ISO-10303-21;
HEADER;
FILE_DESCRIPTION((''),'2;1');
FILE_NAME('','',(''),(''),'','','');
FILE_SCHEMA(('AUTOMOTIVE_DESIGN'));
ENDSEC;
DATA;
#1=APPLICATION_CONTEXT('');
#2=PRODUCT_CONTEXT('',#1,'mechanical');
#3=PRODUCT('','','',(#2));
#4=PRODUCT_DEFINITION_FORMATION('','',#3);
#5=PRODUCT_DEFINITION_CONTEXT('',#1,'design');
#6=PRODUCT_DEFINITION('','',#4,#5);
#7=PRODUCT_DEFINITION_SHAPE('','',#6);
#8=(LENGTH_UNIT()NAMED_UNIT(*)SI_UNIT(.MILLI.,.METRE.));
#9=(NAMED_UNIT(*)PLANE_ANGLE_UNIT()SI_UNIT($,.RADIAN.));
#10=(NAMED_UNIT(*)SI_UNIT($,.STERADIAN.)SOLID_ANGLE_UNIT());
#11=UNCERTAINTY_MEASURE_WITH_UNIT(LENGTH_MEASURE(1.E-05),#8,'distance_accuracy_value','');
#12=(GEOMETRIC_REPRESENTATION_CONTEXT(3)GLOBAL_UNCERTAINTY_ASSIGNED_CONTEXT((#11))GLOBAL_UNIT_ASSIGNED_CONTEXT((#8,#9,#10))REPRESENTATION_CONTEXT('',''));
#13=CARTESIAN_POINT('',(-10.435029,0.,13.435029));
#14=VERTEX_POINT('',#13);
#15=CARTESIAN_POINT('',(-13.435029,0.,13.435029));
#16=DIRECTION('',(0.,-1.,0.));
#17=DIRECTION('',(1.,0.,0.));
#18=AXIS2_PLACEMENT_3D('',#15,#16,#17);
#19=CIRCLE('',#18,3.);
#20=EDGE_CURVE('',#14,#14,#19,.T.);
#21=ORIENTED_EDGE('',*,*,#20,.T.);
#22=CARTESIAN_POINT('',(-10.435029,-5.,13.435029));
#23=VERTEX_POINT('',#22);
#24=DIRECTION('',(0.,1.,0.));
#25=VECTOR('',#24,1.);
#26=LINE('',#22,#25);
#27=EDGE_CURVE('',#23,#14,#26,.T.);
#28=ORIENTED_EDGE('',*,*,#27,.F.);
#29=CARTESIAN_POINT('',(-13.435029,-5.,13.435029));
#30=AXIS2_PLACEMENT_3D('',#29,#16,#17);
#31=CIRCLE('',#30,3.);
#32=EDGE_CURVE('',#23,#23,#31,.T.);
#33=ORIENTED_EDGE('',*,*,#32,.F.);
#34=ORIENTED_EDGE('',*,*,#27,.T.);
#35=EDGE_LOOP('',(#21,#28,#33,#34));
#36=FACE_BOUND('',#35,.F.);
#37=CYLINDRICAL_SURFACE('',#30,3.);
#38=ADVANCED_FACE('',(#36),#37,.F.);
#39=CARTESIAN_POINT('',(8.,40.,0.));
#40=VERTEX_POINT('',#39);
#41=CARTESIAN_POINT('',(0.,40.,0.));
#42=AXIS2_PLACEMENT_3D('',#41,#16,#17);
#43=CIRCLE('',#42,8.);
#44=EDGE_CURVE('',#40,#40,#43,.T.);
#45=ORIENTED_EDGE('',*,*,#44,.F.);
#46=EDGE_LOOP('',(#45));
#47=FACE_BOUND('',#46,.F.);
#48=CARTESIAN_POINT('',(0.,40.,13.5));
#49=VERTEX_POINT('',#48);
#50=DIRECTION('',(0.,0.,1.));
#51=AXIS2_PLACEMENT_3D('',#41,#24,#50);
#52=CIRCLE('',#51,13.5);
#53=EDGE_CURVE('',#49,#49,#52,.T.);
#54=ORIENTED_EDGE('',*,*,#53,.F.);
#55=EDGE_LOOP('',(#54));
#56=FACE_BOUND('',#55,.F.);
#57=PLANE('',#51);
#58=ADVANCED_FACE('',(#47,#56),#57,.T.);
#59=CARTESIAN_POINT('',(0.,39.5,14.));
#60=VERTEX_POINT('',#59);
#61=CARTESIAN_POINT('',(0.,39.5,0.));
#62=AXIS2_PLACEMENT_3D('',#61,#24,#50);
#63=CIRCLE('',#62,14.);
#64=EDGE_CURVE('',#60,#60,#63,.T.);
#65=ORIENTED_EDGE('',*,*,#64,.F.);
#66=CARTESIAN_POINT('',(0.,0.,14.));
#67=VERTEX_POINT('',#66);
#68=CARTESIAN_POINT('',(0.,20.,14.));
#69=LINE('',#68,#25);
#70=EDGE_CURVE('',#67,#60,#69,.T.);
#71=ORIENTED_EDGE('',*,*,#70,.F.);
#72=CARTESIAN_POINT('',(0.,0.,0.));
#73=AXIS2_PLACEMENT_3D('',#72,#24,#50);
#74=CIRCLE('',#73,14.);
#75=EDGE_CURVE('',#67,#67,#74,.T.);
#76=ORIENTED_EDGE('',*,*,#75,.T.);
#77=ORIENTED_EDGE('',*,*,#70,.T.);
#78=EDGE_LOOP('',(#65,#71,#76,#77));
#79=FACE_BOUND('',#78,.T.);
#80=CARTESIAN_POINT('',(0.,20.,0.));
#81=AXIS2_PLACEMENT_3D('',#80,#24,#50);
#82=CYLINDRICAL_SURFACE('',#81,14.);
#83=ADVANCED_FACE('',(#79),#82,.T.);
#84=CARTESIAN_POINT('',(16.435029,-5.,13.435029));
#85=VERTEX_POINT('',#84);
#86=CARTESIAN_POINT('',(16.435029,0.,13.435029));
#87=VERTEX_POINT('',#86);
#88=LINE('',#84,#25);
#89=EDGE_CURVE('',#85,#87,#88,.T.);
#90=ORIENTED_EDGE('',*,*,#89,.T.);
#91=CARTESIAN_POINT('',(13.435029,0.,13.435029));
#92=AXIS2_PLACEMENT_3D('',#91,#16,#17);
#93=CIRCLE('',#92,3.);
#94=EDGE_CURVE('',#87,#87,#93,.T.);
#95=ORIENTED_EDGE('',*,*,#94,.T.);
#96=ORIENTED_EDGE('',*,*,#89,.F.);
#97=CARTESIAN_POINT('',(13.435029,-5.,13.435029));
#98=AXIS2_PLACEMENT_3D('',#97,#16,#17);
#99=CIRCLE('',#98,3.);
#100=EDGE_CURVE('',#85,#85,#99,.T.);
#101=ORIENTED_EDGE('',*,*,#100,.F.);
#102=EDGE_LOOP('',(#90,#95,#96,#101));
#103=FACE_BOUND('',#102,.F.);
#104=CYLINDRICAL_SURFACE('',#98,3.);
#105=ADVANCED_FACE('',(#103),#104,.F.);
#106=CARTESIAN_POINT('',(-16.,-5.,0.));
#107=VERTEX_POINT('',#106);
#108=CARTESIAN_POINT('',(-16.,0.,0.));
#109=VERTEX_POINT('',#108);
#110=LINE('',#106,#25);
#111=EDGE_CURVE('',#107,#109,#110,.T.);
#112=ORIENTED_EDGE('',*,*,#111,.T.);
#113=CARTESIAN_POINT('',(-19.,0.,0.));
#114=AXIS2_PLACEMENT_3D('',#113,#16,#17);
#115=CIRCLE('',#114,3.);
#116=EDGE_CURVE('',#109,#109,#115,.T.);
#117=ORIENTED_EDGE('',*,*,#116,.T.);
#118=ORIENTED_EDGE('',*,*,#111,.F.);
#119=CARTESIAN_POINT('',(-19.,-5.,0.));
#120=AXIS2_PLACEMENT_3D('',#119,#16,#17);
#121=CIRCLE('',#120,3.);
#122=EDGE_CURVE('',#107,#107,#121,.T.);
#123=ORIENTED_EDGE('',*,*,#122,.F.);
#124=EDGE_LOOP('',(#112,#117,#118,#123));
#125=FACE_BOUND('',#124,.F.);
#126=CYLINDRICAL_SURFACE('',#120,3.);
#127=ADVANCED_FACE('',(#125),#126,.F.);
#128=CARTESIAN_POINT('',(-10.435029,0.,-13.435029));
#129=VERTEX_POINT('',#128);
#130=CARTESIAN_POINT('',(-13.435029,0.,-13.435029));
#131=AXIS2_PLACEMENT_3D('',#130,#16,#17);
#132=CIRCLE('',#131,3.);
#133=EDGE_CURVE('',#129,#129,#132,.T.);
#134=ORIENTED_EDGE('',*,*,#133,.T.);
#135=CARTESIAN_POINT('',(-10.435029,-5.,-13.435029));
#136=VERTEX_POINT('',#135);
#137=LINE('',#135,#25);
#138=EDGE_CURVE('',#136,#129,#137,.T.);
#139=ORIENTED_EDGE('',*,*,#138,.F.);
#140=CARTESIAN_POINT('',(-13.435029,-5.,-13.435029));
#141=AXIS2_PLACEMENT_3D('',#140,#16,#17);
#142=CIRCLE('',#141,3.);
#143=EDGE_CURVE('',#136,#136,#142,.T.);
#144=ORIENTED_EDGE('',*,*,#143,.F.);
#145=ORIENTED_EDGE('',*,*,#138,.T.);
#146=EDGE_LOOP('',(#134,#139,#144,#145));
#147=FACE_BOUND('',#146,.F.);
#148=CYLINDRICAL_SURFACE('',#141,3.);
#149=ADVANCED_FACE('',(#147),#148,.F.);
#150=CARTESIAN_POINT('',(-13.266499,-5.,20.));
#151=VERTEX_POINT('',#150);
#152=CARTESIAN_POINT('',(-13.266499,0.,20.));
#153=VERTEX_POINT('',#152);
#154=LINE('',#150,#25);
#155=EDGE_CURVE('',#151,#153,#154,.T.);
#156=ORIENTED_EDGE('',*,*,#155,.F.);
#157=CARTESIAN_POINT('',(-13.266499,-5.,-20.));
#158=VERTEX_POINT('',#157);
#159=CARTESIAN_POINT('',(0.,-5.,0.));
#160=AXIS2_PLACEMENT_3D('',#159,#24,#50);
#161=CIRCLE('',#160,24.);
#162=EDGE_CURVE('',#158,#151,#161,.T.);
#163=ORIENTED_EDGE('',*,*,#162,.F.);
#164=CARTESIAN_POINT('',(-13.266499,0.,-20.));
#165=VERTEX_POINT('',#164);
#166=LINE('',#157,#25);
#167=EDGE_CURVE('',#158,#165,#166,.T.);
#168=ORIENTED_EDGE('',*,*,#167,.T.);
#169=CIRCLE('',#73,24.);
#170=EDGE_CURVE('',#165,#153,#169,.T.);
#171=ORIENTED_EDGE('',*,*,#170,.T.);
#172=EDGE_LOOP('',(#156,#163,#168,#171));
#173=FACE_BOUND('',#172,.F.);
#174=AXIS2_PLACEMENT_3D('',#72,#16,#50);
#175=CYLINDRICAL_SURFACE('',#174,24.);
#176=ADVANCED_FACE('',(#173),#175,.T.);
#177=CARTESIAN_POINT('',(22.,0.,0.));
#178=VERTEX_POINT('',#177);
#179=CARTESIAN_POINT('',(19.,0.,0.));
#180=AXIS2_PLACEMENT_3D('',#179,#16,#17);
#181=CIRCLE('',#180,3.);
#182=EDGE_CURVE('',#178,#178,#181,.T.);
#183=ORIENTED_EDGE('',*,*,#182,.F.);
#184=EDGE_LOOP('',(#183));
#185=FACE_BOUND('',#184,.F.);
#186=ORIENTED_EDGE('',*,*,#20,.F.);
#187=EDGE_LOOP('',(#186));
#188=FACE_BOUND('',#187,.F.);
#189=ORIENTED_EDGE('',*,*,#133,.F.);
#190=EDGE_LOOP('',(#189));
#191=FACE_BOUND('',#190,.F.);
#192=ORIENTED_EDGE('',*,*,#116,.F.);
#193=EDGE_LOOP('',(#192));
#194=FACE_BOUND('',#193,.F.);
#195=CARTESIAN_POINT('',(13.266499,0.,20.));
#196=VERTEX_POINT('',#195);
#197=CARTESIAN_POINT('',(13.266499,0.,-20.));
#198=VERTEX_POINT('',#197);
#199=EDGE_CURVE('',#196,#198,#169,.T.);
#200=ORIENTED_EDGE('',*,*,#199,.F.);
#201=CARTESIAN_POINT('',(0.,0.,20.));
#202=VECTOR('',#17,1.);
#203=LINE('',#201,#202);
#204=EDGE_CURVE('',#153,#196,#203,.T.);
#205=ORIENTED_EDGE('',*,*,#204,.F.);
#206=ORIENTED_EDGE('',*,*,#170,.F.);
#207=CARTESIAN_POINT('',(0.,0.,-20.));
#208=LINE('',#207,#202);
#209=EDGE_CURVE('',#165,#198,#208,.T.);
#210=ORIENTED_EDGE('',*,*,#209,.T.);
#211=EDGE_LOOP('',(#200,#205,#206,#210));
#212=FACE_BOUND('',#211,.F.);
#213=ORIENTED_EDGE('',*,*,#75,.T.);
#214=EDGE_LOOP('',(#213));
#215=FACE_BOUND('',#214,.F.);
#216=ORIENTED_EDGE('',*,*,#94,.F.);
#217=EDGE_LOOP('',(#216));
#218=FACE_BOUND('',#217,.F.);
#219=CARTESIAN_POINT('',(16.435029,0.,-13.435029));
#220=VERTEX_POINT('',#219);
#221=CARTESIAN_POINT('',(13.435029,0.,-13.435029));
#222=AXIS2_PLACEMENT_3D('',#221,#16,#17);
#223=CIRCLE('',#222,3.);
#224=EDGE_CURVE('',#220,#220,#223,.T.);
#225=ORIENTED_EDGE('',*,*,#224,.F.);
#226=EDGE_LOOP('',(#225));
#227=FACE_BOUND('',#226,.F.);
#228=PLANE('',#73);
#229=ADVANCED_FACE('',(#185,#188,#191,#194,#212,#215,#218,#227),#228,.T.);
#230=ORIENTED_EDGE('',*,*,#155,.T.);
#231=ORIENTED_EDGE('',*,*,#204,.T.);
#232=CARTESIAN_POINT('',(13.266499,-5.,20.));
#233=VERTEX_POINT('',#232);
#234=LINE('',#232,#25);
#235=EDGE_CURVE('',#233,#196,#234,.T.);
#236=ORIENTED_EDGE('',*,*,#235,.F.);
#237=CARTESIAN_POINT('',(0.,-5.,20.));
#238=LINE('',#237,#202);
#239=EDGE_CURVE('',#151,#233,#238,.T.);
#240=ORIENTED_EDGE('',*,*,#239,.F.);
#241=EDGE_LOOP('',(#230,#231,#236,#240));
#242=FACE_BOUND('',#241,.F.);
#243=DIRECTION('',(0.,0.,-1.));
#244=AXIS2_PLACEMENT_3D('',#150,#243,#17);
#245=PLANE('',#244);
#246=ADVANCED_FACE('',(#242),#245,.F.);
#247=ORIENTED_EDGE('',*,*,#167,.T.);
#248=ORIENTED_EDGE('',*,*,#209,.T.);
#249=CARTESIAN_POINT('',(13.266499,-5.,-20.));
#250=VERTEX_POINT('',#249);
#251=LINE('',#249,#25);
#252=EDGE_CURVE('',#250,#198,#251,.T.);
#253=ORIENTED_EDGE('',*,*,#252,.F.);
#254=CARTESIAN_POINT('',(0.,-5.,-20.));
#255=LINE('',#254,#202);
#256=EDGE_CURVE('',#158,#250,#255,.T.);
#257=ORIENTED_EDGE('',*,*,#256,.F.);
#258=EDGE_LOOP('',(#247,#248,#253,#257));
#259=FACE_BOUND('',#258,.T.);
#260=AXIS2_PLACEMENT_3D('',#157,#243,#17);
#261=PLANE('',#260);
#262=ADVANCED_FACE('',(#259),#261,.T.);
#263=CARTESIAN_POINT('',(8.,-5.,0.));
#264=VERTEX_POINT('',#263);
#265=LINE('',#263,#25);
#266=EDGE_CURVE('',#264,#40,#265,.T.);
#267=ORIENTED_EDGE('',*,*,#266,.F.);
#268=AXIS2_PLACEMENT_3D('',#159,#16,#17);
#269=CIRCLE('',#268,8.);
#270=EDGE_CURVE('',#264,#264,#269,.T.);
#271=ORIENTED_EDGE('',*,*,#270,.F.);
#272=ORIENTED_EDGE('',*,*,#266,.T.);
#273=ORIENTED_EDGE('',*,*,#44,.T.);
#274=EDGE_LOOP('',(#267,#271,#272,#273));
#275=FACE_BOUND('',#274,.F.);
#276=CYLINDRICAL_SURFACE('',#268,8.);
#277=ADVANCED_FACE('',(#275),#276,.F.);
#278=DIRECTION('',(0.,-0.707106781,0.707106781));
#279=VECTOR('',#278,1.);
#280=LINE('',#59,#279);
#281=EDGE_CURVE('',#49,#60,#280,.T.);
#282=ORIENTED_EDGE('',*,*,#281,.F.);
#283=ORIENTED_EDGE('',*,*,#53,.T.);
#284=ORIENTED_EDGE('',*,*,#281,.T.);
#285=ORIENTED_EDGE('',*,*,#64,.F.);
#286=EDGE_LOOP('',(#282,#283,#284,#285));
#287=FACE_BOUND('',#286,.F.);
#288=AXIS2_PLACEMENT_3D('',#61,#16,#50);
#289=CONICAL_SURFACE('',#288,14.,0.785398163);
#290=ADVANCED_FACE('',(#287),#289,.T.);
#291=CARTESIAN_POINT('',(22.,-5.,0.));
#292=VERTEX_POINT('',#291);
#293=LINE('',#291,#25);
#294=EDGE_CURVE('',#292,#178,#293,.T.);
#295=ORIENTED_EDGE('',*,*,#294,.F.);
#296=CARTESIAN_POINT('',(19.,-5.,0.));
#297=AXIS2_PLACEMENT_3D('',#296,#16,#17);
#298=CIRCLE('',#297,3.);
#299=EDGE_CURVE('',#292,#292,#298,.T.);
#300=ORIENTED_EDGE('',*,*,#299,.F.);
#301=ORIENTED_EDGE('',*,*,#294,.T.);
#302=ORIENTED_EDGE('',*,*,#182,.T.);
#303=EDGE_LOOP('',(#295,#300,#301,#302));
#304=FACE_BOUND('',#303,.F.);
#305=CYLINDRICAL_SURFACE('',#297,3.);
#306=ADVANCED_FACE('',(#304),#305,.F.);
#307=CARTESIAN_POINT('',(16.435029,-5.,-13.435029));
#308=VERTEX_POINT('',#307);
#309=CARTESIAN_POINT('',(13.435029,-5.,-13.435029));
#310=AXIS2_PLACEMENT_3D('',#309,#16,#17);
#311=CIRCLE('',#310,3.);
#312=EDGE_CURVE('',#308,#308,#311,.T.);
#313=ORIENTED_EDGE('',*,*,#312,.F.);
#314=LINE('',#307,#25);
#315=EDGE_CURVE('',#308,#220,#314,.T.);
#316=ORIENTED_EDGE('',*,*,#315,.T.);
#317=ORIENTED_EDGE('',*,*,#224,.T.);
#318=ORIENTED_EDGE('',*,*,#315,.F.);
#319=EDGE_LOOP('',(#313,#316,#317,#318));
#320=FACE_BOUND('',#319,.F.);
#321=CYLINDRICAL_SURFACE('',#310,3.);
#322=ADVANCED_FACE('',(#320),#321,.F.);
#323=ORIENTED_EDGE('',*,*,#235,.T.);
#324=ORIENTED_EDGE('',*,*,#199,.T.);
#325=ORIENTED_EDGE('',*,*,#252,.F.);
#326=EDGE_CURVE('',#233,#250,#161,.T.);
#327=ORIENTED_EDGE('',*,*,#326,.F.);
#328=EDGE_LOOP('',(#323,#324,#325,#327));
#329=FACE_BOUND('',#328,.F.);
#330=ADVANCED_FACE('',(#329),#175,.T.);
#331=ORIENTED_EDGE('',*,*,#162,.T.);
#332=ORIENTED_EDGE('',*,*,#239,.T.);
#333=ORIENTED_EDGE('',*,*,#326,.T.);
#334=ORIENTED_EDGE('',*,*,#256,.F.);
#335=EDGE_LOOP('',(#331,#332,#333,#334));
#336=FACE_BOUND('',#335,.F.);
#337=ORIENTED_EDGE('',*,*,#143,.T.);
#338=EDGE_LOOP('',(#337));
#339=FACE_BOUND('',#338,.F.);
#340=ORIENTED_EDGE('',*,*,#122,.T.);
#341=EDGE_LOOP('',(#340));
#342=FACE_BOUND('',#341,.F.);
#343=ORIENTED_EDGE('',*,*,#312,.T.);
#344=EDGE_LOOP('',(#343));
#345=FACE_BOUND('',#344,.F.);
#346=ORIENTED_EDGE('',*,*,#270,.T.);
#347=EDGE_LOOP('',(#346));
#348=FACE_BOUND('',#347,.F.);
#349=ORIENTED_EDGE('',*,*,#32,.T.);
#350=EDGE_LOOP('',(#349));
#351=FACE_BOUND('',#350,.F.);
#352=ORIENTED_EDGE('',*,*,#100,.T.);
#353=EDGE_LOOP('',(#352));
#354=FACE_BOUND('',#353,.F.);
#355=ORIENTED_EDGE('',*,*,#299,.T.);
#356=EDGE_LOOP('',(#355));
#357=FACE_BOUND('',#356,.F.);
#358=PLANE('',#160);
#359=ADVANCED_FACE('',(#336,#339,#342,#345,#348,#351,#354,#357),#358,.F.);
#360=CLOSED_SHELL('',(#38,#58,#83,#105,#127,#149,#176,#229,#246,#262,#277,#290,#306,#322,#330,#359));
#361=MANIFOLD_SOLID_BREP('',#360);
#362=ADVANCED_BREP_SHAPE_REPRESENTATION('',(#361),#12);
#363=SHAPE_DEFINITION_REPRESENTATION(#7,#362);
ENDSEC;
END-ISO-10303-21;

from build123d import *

# Parameters (mm, degrees)
F0_W     = 40
F0_H     = 14
F2_W     = 26.532998
F2_H     = 7.604173
F2_H_2   = 9.77986
F3_DEPTH = 5
F4_R     = 8
F5_DEPTH = 45
F6_R     = 3
F7_DEPTH = 5
F8_SIZE  = 0.5


with BuildPart() as f1:
    # F0 (on Right) → F1 (revolve)
    with BuildSketch(Plane.YZ):
        with Locations((20, 7)):
            Rectangle(F0_W, F0_H)
        Polygon((-5, 0), (0, 0), (0, 14), (0, 24), (-5, 24), align=None)
    revolve(axis=Axis((0, 20, 0), (0, 1, 0)))

    # F2 (on face) → F3 (cut)
    with BuildSketch(Plane.XZ.offset(5)):
        with Locations((0, 23.802087)):
            Rectangle(F2_W, F2_H)
        with Locations((0, -24.88993)):
            Rectangle(F2_W, F2_H_2)
    extrude(amount=-F3_DEPTH, mode=Mode.SUBTRACT)

    # F4 (on face) → F5 (cut)
    with BuildSketch(Plane.XZ.offset(5)):
        Circle(F4_R)
    extrude(amount=-F5_DEPTH, mode=Mode.SUBTRACT)

    # F6 (on face) → F7 (cut)
    with BuildSketch(Plane.XZ.offset(5)):
        with Locations((-13.435029, 13.435029)):
            Circle(F6_R)
        with Locations((13.435029, 13.435029)):
            Circle(F6_R)
        with Locations((13.435029, -13.435029)):
            Circle(F6_R)
        with Locations((-13.435029, -13.435029)):
            Circle(F6_R)
        with Locations((-19, 0)):
            Circle(F6_R)
        with Locations((19, 0)):
            Circle(F6_R)
    extrude(amount=-F7_DEPTH, mode=Mode.SUBTRACT)

    # F8
    f8_edges = [f1.edges().sort_by_distance(p)[0] for p in [
        (0, 40, -14),
    ]]
    chamfer(f8_edges, length=F8_SIZE)


solid = f1.part
